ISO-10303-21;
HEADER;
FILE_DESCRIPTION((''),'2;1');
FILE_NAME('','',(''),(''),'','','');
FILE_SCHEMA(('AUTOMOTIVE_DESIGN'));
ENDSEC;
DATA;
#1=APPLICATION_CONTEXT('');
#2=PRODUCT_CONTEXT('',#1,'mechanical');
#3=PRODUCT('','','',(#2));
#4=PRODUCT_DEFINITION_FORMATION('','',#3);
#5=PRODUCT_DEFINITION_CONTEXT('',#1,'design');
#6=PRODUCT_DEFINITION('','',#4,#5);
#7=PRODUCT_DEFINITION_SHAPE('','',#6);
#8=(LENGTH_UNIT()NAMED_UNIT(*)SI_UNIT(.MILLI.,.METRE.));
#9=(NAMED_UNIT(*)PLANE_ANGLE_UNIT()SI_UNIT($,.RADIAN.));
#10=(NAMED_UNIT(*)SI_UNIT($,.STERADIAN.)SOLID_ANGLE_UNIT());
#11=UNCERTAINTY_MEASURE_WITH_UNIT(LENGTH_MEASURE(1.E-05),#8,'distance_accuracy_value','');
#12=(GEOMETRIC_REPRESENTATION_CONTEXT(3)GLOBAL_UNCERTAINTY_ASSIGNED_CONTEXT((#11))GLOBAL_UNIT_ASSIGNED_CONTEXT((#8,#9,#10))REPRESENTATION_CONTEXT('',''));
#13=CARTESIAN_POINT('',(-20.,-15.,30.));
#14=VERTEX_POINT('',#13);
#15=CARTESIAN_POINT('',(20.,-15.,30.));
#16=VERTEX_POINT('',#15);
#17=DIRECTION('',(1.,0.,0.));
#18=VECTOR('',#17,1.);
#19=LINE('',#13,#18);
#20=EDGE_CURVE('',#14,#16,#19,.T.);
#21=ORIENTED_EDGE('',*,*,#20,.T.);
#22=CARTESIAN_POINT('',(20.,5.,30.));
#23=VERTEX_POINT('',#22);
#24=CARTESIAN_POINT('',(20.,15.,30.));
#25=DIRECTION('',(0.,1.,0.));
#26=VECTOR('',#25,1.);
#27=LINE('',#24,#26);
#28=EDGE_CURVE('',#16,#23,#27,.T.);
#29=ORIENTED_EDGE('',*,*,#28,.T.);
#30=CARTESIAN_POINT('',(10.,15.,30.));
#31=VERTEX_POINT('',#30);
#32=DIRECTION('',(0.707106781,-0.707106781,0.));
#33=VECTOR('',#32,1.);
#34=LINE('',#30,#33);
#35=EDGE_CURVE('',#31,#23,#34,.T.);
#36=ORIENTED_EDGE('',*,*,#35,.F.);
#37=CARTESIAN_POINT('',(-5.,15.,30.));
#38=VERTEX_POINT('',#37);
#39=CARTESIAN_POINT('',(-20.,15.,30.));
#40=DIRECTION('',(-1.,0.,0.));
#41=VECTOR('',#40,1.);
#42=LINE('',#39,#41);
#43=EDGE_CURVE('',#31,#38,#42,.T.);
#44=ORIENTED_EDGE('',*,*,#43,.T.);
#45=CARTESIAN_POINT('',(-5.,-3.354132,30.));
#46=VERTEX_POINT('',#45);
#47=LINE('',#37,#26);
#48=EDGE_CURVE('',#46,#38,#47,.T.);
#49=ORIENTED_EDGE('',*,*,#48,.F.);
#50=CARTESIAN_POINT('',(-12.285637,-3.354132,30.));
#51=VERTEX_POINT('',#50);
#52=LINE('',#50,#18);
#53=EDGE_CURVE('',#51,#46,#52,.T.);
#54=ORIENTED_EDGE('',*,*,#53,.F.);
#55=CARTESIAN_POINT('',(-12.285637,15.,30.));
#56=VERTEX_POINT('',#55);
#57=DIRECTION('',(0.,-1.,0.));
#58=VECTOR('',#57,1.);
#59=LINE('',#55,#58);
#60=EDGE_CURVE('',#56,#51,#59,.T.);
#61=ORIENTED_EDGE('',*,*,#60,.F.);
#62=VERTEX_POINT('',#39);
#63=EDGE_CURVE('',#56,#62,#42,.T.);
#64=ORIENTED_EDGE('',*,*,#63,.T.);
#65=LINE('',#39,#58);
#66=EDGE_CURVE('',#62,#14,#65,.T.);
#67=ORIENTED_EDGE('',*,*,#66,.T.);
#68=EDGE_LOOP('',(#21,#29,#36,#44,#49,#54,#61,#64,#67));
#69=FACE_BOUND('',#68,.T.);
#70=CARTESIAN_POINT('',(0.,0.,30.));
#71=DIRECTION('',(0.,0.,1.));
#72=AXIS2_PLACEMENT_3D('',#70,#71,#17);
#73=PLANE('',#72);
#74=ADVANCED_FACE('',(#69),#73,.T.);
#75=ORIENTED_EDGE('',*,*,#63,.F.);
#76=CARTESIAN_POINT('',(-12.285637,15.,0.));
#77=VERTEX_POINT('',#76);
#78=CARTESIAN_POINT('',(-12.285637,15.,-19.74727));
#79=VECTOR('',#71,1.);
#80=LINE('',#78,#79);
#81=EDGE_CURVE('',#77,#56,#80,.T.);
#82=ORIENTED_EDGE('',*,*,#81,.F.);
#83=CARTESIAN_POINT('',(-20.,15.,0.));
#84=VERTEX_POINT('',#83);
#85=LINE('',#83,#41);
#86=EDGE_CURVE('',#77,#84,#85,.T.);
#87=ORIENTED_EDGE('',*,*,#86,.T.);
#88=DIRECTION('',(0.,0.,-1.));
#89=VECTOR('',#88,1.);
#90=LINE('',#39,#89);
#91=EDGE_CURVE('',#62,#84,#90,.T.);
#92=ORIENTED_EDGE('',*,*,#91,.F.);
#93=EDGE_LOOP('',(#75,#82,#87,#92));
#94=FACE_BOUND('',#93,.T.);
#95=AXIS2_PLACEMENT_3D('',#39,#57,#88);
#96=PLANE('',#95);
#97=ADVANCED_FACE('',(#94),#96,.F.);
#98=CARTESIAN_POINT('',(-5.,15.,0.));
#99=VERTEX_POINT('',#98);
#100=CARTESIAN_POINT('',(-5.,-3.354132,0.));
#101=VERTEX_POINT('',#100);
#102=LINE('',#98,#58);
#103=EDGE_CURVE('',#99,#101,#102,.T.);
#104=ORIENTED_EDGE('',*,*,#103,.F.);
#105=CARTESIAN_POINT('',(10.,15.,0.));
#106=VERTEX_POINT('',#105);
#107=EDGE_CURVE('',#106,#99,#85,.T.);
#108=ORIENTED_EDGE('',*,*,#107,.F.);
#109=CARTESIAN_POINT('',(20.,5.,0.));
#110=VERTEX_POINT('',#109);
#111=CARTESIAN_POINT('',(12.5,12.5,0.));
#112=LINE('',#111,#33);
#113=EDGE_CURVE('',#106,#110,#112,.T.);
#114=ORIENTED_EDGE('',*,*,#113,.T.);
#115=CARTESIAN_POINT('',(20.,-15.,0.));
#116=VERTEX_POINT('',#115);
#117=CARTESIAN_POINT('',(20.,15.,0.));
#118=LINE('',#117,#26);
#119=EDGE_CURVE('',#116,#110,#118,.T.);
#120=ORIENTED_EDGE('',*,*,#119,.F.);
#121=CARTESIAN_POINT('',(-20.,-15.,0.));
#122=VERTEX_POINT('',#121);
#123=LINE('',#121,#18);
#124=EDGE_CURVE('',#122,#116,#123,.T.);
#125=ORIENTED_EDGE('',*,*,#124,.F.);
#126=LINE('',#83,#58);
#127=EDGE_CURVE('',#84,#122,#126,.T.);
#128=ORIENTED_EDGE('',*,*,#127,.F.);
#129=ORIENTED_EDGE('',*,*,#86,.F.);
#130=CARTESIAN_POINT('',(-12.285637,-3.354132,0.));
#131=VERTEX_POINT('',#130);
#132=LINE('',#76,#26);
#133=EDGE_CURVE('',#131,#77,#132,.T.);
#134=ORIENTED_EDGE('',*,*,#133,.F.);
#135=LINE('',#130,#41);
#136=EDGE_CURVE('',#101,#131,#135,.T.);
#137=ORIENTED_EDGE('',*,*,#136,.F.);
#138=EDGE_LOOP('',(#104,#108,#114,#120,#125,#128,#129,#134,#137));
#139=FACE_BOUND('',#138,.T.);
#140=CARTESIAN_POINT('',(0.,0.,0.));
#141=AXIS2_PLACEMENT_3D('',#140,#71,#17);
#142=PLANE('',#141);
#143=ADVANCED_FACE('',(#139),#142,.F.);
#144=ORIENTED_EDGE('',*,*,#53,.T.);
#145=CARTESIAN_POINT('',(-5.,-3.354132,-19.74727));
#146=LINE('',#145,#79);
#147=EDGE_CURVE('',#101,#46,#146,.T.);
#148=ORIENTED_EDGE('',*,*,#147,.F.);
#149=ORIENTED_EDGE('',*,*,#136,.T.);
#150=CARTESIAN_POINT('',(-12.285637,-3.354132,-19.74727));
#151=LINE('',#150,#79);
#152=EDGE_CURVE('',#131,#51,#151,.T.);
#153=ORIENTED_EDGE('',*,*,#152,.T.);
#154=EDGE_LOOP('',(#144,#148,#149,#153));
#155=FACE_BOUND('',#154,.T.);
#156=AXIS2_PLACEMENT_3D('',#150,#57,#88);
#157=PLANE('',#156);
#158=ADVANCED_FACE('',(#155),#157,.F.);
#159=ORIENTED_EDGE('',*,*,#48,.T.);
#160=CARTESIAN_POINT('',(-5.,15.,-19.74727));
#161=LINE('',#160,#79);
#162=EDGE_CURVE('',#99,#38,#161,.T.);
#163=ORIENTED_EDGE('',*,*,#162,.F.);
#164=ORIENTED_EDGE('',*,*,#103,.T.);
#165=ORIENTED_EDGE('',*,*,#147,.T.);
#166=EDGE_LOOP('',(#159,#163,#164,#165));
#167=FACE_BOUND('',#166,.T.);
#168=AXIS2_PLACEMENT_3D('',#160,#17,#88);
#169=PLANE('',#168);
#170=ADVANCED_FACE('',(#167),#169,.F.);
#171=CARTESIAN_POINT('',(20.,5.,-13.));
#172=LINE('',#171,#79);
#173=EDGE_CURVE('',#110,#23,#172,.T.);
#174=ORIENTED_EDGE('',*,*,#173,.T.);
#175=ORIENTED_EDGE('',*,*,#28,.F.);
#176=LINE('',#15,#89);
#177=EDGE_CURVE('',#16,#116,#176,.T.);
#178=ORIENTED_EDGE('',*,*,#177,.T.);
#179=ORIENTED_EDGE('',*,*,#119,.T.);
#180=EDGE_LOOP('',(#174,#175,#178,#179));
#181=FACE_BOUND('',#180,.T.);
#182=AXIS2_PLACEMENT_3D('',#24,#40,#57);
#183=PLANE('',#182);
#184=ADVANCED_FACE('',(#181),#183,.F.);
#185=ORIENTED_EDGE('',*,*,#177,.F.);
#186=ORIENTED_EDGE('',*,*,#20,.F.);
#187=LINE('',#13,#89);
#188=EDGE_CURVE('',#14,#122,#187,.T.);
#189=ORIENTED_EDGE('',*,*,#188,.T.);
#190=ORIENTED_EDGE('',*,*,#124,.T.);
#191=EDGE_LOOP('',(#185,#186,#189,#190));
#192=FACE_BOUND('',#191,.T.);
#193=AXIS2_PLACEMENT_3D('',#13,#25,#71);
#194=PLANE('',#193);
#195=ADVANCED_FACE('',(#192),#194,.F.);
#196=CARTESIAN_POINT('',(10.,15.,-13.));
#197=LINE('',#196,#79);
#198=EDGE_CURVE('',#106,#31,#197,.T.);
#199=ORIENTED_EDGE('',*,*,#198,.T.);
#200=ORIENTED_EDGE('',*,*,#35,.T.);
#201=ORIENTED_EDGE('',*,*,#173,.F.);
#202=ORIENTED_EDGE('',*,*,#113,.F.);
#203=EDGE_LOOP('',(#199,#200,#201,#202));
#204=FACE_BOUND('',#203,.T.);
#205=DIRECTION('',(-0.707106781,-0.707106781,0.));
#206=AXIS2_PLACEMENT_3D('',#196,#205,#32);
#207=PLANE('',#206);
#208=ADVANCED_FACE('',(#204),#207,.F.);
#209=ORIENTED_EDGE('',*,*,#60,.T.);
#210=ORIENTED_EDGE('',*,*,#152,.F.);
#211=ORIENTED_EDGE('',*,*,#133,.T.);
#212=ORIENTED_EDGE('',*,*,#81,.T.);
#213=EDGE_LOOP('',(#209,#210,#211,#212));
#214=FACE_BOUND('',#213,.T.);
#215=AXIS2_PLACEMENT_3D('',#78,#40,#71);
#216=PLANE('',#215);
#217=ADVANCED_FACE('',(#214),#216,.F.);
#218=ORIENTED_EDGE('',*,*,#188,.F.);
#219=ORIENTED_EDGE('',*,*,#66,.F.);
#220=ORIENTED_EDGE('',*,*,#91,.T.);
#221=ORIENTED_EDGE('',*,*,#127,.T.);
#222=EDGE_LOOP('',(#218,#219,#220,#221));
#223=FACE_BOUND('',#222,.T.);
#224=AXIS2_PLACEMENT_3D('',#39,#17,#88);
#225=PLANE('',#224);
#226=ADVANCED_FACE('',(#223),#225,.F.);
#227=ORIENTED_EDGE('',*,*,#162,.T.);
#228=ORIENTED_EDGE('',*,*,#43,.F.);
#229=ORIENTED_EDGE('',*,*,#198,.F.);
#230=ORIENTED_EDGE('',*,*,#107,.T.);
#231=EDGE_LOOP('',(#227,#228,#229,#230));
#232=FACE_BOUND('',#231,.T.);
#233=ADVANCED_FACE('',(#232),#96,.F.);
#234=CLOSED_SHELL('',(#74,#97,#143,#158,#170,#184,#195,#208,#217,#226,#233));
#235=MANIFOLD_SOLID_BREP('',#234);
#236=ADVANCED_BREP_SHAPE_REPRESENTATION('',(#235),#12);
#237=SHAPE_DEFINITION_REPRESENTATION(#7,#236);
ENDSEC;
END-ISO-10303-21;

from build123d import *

# Parameters (mm, degrees)
SKETCH_1_W          = 40
SKETCH_1_H          = 30
EXTRUDE_1_DEPTH     = 30
CUT_EXTRUDE_1_DEPTH = 43
SKETCH_3_W          = 7.285636578
SKETCH_3_H          = 18.354132306
CUT_EXTRUDE_2_DEPTH = 30


with BuildPart() as part:
    # 草圖1 → 填料-伸長1 (new body)
    with BuildSketch(Plane.XY):
        Rectangle(SKETCH_1_W, SKETCH_1_H)
    extrude(amount=EXTRUDE_1_DEPTH)

    # 草圖2 → 除料-伸長1 (cut)
    with BuildSketch(Plane.XY.offset(30)):
        Polygon((10, 15), (20, 5), (20, 15), align=None)
    extrude(amount=-CUT_EXTRUDE_1_DEPTH, mode=Mode.SUBTRACT)

    # 草圖3 → 除料-伸長2 (cut)
    with BuildSketch(Plane.XY.offset(30)):
        with Locations((-8.642818289, 5.822933847)):
            Rectangle(SKETCH_3_W, SKETCH_3_H)
    extrude(amount=-CUT_EXTRUDE_2_DEPTH, mode=Mode.SUBTRACT)


solid = part.part
